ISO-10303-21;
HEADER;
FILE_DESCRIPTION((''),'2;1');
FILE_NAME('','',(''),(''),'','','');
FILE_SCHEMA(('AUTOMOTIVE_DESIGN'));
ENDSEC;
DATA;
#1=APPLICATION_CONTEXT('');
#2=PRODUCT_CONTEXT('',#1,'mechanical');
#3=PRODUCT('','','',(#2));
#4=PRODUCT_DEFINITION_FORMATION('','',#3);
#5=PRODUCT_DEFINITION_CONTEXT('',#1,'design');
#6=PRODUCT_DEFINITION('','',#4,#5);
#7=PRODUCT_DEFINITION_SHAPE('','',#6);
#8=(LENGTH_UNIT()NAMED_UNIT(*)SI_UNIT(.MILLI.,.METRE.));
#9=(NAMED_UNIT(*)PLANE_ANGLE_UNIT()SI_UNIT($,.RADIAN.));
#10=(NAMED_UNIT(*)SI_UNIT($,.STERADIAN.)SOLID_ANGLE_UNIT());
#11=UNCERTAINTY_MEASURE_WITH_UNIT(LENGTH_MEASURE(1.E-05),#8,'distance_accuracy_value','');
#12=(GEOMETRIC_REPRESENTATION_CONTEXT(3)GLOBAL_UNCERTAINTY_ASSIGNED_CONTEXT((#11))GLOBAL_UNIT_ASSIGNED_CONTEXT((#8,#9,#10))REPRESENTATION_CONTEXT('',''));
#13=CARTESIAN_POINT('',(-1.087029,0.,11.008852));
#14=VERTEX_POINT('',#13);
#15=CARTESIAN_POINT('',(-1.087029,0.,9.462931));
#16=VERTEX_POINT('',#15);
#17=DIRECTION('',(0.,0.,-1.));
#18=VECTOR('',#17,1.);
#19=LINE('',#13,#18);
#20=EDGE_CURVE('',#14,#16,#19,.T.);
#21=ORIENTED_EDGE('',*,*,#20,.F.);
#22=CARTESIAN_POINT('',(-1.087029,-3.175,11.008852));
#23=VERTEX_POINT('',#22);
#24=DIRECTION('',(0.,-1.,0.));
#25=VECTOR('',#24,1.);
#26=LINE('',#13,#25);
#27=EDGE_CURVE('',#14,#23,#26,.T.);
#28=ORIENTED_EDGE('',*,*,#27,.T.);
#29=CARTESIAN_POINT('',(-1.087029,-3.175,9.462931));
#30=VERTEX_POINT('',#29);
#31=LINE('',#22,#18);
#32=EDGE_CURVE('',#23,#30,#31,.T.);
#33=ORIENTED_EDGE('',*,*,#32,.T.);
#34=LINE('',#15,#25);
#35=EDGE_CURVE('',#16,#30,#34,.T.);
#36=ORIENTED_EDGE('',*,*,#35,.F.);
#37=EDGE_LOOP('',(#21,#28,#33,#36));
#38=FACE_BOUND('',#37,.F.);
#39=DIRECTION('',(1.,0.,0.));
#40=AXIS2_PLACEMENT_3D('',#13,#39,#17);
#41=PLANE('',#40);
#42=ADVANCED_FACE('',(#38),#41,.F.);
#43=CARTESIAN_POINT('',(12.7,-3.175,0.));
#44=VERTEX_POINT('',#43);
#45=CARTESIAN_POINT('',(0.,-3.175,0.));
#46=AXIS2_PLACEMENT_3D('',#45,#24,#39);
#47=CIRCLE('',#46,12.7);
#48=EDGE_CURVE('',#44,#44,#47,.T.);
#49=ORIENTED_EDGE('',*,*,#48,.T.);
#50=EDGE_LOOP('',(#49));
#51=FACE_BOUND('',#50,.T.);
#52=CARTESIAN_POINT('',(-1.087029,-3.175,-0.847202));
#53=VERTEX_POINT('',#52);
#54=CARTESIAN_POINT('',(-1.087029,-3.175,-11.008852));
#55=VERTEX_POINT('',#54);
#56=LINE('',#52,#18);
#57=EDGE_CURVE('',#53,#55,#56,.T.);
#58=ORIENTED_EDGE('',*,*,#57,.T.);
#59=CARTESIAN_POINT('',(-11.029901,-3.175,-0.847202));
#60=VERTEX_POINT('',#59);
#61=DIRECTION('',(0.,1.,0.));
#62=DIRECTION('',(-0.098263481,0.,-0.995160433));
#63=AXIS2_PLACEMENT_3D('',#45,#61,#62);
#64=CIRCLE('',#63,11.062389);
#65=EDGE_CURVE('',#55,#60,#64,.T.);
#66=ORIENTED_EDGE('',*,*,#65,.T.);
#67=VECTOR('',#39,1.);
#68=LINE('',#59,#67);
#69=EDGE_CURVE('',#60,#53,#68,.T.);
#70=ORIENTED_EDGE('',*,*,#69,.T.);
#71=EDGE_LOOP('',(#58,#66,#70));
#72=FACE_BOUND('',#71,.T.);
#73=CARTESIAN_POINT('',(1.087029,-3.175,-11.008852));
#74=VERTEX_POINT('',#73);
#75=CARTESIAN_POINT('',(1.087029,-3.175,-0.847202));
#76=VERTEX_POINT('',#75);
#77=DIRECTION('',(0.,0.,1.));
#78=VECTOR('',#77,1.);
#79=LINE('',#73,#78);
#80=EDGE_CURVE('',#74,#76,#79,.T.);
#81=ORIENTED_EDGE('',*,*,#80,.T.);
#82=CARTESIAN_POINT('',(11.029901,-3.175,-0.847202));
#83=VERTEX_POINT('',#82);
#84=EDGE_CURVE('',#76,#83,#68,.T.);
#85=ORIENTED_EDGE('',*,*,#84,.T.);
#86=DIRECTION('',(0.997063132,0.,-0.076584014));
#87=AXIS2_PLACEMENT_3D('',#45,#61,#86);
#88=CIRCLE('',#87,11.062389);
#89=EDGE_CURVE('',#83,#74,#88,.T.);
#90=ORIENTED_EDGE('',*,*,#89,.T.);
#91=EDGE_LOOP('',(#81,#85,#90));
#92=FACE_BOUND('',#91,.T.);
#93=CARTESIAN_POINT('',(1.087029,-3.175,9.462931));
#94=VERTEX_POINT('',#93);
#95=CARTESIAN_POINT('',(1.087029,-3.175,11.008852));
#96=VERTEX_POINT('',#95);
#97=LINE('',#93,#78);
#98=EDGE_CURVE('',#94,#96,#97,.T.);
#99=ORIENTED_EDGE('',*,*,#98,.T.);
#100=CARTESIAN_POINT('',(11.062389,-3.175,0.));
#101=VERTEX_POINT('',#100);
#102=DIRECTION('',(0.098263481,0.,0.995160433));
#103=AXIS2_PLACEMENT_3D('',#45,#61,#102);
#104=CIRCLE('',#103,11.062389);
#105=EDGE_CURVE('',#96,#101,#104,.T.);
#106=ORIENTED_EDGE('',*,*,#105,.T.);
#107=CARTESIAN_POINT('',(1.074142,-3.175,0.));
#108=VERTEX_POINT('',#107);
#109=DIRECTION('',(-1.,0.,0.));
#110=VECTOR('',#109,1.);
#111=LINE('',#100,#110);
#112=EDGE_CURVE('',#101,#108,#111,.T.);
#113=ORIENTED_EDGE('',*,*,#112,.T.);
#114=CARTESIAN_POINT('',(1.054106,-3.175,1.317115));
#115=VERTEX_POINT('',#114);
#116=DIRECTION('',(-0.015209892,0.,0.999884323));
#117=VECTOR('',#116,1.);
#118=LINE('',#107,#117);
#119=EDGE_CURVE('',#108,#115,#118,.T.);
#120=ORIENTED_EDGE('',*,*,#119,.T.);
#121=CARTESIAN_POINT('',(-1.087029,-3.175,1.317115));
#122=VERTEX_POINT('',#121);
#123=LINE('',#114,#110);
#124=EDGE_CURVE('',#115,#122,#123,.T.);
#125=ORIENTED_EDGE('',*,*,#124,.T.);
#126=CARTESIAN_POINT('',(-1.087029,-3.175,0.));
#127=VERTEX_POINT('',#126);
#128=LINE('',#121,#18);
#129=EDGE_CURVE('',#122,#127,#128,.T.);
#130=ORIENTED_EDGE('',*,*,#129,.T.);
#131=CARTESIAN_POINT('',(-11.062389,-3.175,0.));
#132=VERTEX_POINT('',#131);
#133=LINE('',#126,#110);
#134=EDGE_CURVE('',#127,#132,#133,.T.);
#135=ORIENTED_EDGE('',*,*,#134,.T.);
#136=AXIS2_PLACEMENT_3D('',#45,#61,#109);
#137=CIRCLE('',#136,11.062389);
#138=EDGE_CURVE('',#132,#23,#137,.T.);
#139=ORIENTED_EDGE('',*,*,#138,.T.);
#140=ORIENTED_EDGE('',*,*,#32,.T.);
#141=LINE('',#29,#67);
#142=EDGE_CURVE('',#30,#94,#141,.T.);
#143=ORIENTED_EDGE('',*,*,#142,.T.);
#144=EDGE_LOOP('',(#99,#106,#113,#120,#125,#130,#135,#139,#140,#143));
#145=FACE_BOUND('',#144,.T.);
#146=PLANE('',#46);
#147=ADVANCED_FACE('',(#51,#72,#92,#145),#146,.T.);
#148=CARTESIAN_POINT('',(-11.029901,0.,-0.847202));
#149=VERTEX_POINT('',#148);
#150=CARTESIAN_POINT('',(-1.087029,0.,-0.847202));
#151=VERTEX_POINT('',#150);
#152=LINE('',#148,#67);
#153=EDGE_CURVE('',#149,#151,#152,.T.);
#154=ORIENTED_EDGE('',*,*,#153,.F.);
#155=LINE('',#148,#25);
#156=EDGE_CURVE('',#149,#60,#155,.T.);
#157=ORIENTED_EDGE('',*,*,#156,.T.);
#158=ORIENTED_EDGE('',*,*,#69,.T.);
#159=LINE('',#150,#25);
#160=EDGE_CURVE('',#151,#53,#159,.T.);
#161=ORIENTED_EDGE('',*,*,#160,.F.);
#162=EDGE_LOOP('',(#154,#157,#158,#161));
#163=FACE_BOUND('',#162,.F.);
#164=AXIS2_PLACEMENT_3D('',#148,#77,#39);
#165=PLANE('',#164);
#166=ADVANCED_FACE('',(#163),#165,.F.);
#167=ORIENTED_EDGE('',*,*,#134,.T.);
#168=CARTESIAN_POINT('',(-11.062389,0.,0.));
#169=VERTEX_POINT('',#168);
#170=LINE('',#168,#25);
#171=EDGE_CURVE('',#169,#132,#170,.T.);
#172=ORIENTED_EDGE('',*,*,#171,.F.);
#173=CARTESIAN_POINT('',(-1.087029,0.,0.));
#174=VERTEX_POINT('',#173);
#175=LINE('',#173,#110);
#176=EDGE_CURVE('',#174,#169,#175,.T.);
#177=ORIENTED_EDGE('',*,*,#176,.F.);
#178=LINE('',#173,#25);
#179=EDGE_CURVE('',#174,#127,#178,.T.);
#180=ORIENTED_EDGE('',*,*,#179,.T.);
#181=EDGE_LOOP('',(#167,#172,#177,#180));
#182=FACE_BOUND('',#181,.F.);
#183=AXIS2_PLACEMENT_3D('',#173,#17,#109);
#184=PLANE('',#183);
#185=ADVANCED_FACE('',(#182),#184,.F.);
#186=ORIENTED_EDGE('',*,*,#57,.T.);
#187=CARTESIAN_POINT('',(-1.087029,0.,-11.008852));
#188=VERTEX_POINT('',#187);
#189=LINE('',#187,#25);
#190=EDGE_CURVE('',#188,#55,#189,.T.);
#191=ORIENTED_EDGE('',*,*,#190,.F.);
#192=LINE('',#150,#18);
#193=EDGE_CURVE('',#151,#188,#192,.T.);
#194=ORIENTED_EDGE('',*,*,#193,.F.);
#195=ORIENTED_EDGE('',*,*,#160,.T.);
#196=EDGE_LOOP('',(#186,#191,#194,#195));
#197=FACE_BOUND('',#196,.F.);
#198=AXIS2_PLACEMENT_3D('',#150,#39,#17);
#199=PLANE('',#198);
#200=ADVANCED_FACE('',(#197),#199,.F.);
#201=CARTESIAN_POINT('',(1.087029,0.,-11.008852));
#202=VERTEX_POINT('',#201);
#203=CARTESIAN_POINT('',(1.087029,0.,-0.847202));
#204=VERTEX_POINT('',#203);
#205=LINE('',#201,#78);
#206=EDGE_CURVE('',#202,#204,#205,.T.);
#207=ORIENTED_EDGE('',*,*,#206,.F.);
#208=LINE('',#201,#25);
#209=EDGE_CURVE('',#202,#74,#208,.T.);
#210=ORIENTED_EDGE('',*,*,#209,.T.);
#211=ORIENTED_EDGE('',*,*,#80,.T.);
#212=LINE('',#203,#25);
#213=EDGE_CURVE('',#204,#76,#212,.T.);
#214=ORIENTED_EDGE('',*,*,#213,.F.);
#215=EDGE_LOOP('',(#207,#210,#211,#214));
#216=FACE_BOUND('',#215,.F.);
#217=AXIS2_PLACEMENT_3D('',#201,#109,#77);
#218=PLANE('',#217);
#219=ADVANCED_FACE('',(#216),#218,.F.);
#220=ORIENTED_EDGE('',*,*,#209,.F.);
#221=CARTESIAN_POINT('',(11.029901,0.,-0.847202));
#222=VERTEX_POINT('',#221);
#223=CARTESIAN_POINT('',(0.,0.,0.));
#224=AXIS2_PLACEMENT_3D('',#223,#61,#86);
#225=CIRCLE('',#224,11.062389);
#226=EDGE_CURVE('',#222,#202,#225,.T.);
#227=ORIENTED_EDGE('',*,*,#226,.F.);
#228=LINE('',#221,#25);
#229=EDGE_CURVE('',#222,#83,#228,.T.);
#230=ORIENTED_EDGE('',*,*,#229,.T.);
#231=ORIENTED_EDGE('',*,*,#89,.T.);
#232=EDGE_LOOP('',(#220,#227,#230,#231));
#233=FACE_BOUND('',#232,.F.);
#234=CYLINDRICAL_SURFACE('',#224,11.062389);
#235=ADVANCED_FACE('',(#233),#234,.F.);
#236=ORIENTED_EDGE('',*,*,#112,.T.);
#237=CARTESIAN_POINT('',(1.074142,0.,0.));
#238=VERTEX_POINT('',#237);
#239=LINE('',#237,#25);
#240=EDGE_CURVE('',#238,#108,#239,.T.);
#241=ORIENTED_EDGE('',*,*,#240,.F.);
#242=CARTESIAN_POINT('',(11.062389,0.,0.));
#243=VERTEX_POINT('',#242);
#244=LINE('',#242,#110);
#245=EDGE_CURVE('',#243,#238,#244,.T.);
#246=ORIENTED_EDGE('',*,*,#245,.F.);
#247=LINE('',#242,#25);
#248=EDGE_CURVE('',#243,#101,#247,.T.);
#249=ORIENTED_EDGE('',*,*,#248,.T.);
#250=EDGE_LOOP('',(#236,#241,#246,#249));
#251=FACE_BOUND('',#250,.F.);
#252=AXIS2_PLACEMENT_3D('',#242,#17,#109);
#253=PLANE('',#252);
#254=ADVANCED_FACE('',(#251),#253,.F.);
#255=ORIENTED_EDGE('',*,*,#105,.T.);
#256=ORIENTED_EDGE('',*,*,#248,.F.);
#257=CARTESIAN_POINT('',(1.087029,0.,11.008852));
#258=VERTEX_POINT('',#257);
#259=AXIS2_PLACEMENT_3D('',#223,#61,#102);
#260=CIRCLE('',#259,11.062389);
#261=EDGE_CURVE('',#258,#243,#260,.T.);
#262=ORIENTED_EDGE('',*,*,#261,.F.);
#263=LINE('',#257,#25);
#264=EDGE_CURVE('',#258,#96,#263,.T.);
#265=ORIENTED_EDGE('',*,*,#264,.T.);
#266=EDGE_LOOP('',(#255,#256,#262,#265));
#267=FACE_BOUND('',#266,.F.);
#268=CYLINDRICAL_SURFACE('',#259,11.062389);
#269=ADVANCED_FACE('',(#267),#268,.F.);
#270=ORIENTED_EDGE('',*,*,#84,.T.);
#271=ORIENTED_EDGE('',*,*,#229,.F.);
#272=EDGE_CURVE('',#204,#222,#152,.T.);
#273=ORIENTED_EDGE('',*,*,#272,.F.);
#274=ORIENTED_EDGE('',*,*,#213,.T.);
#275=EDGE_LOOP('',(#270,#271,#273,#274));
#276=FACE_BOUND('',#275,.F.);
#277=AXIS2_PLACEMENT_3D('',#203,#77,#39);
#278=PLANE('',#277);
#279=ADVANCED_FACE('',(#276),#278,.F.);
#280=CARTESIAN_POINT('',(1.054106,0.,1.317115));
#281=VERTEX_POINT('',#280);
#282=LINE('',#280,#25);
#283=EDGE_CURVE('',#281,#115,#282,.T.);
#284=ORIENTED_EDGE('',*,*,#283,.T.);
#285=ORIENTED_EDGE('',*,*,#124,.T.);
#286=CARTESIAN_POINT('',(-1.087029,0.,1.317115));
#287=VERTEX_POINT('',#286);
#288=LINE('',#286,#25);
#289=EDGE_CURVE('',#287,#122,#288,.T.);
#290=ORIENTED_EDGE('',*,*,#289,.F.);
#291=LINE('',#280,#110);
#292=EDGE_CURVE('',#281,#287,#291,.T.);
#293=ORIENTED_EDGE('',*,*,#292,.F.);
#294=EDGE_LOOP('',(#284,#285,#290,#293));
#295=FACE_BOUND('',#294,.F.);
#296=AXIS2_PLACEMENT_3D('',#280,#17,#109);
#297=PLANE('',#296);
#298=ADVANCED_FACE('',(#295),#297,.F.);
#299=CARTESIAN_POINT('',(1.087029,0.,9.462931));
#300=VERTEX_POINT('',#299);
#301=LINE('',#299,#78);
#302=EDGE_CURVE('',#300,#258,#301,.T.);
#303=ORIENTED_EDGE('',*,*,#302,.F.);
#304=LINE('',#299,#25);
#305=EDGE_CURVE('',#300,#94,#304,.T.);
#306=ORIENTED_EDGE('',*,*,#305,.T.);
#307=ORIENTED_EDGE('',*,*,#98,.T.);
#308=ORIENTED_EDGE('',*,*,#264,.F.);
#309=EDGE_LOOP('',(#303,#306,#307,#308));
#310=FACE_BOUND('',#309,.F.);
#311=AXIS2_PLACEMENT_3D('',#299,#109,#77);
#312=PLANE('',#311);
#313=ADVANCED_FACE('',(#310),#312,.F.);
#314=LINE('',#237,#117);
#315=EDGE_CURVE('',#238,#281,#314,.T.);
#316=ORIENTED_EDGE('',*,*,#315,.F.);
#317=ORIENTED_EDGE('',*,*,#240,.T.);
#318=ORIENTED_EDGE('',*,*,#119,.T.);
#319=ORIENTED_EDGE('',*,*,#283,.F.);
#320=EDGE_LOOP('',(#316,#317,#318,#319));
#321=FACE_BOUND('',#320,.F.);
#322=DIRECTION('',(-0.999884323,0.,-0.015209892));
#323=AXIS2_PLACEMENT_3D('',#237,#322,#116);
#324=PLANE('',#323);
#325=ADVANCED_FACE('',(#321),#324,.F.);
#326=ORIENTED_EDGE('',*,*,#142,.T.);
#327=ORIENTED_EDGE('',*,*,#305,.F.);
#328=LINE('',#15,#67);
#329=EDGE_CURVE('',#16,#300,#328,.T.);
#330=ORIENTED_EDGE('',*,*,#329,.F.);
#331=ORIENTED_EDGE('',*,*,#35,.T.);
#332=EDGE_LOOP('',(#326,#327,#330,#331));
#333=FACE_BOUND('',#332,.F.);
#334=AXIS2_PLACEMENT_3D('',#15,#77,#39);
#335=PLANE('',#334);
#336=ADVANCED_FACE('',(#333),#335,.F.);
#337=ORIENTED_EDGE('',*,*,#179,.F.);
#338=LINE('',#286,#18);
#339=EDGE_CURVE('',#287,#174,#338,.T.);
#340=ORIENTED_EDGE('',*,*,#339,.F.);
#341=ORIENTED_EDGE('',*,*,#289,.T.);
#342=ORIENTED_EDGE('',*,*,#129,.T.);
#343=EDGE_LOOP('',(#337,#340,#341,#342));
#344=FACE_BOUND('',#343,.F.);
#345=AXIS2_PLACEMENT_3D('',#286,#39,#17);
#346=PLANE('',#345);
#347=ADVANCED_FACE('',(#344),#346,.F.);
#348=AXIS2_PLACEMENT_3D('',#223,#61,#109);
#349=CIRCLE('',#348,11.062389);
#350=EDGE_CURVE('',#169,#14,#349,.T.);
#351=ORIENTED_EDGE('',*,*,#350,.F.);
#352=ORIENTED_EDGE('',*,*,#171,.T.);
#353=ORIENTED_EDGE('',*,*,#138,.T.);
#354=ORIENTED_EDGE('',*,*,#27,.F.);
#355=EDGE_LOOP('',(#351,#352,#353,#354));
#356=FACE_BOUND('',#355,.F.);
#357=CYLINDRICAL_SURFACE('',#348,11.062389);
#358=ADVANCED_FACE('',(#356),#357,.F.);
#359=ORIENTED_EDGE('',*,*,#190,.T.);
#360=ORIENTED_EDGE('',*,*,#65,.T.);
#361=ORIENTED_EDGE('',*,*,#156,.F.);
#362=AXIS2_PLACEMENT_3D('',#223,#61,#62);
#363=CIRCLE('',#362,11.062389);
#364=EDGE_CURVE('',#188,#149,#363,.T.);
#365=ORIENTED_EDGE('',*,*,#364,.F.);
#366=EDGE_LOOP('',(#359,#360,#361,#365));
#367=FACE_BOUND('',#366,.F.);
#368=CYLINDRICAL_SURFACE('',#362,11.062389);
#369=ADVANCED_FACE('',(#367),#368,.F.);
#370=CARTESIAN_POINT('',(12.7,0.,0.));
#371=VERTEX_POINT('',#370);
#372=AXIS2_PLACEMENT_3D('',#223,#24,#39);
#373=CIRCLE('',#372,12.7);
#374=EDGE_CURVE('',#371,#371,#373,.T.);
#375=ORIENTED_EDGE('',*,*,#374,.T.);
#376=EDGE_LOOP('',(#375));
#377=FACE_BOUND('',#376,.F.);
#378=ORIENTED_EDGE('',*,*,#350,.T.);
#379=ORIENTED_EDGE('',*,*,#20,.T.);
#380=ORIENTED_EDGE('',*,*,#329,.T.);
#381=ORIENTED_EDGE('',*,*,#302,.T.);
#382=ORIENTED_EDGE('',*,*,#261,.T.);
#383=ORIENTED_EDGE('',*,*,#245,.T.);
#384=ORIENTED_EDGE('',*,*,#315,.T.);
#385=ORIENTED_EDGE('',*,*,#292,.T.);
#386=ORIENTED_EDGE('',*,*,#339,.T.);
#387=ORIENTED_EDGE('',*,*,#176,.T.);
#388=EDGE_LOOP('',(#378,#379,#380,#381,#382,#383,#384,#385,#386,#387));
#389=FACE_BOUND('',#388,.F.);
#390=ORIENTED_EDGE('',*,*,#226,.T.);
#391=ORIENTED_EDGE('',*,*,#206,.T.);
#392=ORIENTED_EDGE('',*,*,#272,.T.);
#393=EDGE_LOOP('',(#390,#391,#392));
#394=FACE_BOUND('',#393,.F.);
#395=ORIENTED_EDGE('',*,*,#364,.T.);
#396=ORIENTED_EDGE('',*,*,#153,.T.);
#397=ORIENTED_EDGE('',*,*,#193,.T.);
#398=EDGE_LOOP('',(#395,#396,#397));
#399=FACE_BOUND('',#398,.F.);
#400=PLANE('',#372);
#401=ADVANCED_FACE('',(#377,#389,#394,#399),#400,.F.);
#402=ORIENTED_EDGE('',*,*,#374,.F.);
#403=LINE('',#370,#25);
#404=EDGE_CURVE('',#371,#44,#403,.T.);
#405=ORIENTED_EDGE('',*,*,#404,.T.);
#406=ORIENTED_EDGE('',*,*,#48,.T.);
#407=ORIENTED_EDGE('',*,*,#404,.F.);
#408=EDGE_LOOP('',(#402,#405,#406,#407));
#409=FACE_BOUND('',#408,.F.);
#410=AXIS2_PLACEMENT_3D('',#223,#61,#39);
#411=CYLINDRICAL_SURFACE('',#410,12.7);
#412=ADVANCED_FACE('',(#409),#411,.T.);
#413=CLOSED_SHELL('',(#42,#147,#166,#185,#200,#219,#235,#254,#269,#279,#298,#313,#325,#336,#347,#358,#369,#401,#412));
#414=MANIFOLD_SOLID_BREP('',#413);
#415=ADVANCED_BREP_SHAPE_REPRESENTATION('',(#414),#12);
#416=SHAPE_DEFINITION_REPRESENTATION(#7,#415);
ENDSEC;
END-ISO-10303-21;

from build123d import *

# Parameters (mm, degrees)
F0_R     = 12.7
F0_W     = 0.5204633457
F0_H     = 0.8472021806
F1_DEPTH = 3.175


with BuildPart() as f1:
    # F0 (on Front) → F1 (new body)
    with BuildSketch(Plane.XZ):
        Circle(F0_R)
        with BuildLine():
            ThreePointArc((1.0870288825, 11.0088521585), (8.1976092353, 7.4280320722), (11.0623893278, 0))
            ThreePointArc((11.0623893278, 0), (11.054264149, -0.4239124484), (11.0299005483, -0.8472021806))
            ThreePointArc((11.0299005483, -0.8472021806), (7.9069448762, -7.7367099185), (1.0870288825, -11.0088521585))
            ThreePointArc((1.0870288825, -11.0088521585), (0.8155191196, -11.0322883485), (0.5435144412, -11.0490293552))
            ThreePointArc((0.5435144412, -11.0490293552), (-0.0115400824, -11.0623833086), (-0.5665655367, -11.0478713394))
            ThreePointArc((-0.5665655367, -11.0478713394), (-0.8270273574, -11.0314316111), (-1.0870288825, -11.0088521585))
            ThreePointArc((-1.0870288825, -11.0088521585), (-7.9069448762, -7.7367099185), (-11.0299005483, -0.8472021806))
            ThreePointArc((-11.0299005483, -0.8472021806), (-11.054264149, -0.4239124484), (-11.0623893278, 0))
            ThreePointArc((-11.0623893278, 0), (-8.1976092353, 7.4280320722), (-1.0870288825, 11.0088521585))
            ThreePointArc((-1.0870288825, 11.0088521585), (0, 11.0623893278), (1.0870288825, 11.0088521585))
        make_face(mode=Mode.SUBTRACT)
        with BuildLine():
            Line((1.0870288825, 9.4629311934), (1.0870288825, 11.0088521585))
            ThreePointArc((1.0870288825, 11.0088521585), (0, 11.0623893278), (-1.0870288825, 11.0088521585))
            Line((-1.0870288825, 11.0088521585), (-1.0870288825, 9.4629311934))
            Line((-1.0870288825, 9.4629311934), (0, 9.4629311934))
            Line((0, 9.4629311934), (1.0870288825, 9.4629311934))
        make_face()
        with BuildLine():
            ThreePointArc((11.0299005483, -0.8472021806), (11.054264149, -0.4239124484), (11.0623893278, 0))
            Line((11.0623893278, 0), (1.0741415377, 0))
            Line((1.0741415377, 0), (1.0870288825, -0.8472021806))
            Line((1.0870288825, -0.8472021806), (11.0299005483, -0.8472021806))
        make_face()
        with BuildLine():
            Line((-1.0870288825, 0), (-11.0623893278, 0))
            ThreePointArc((-11.0623893278, 0), (-11.054264149, -0.4239124484), (-11.0299005483, -0.8472021806))
            Line((-11.0299005483, -0.8472021806), (-1.0870288825, -0.8472021806))
            Line((-1.0870288825, -0.8472021806), (-1.0870288825, 0))
        make_face()
        Polygon((-1.0870288825, 0), (-0.5665655367, 0), (-0.5665655367, 0.8562274743), (-0.5665655367, 1.3171146857), (-1.0870288825, 1.3171146857), align=None)
        Polygon((0.5435144412, 0), (1.0741415377, 0), (1.0541060474, 1.3171146857), (0.5435144412, 1.3171146857), (0.5435144412, 0.8562274743), align=None)
        Polygon((-0.5665655367, 0), (0.5435144412, 0), (0.5435144412, 0.8562274743), (0.5435144412, 1.3171146857), (-0.5665655367, 1.3171146857), (-0.5665655367, 0.8562274743), align=None)
        Polygon((0.5435144412, -0.8472021806), (0.5435144412, 0), (-0.5665655367, 0), (-0.5665655367, -0.8472021806), (0, -0.8472021806), align=None)
        with Locations((-0.8267972096, -0.4236010903)):
            Rectangle(F0_W, F0_H)
        Polygon((1.0870288825, -0.8472021806), (1.0741415377, 0), (0.5435144412, 0), (0.5435144412, -0.8472021806), align=None)
        with BuildLine():
            ThreePointArc((-1.0870288825, -11.0088521585), (-0.8270273574, -11.0314316111), (-0.5665655367, -11.0478713394))
            Line((-0.5665655367, -11.0478713394), (-0.5665655367, -0.8472021806))
            Line((-0.5665655367, -0.8472021806), (-1.0870288825, -0.8472021806))
            Line((-1.0870288825, -0.8472021806), (-1.0870288825, -11.0088521585))
        make_face()
        with BuildLine():
            ThreePointArc((-0.5665655367, -11.0478713394), (-0.0115400824, -11.0623833086), (0.5435144412, -11.0490293552))
            Line((0.5435144412, -11.0490293552), (0.5435144412, -0.8472021806))
            Line((0.5435144412, -0.8472021806), (0, -0.8472021806))
            Line((0, -0.8472021806), (-0.5665655367, -0.8472021806))
            Line((-0.5665655367, -0.8472021806), (-0.5665655367, -11.0478713394))
        make_face()
        with BuildLine():
            ThreePointArc((0.5435144412, -11.0490293552), (0.8155191196, -11.0322883485), (1.0870288825, -11.0088521585))
            Line((1.0870288825, -11.0088521585), (1.0870288825, -0.8472021806))
            Line((1.0870288825, -0.8472021806), (0.5435144412, -0.8472021806))
            Line((0.5435144412, -0.8472021806), (0.5435144412, -11.0490293552))
        make_face()
    extrude(amount=F1_DEPTH)


solid = f1.part
